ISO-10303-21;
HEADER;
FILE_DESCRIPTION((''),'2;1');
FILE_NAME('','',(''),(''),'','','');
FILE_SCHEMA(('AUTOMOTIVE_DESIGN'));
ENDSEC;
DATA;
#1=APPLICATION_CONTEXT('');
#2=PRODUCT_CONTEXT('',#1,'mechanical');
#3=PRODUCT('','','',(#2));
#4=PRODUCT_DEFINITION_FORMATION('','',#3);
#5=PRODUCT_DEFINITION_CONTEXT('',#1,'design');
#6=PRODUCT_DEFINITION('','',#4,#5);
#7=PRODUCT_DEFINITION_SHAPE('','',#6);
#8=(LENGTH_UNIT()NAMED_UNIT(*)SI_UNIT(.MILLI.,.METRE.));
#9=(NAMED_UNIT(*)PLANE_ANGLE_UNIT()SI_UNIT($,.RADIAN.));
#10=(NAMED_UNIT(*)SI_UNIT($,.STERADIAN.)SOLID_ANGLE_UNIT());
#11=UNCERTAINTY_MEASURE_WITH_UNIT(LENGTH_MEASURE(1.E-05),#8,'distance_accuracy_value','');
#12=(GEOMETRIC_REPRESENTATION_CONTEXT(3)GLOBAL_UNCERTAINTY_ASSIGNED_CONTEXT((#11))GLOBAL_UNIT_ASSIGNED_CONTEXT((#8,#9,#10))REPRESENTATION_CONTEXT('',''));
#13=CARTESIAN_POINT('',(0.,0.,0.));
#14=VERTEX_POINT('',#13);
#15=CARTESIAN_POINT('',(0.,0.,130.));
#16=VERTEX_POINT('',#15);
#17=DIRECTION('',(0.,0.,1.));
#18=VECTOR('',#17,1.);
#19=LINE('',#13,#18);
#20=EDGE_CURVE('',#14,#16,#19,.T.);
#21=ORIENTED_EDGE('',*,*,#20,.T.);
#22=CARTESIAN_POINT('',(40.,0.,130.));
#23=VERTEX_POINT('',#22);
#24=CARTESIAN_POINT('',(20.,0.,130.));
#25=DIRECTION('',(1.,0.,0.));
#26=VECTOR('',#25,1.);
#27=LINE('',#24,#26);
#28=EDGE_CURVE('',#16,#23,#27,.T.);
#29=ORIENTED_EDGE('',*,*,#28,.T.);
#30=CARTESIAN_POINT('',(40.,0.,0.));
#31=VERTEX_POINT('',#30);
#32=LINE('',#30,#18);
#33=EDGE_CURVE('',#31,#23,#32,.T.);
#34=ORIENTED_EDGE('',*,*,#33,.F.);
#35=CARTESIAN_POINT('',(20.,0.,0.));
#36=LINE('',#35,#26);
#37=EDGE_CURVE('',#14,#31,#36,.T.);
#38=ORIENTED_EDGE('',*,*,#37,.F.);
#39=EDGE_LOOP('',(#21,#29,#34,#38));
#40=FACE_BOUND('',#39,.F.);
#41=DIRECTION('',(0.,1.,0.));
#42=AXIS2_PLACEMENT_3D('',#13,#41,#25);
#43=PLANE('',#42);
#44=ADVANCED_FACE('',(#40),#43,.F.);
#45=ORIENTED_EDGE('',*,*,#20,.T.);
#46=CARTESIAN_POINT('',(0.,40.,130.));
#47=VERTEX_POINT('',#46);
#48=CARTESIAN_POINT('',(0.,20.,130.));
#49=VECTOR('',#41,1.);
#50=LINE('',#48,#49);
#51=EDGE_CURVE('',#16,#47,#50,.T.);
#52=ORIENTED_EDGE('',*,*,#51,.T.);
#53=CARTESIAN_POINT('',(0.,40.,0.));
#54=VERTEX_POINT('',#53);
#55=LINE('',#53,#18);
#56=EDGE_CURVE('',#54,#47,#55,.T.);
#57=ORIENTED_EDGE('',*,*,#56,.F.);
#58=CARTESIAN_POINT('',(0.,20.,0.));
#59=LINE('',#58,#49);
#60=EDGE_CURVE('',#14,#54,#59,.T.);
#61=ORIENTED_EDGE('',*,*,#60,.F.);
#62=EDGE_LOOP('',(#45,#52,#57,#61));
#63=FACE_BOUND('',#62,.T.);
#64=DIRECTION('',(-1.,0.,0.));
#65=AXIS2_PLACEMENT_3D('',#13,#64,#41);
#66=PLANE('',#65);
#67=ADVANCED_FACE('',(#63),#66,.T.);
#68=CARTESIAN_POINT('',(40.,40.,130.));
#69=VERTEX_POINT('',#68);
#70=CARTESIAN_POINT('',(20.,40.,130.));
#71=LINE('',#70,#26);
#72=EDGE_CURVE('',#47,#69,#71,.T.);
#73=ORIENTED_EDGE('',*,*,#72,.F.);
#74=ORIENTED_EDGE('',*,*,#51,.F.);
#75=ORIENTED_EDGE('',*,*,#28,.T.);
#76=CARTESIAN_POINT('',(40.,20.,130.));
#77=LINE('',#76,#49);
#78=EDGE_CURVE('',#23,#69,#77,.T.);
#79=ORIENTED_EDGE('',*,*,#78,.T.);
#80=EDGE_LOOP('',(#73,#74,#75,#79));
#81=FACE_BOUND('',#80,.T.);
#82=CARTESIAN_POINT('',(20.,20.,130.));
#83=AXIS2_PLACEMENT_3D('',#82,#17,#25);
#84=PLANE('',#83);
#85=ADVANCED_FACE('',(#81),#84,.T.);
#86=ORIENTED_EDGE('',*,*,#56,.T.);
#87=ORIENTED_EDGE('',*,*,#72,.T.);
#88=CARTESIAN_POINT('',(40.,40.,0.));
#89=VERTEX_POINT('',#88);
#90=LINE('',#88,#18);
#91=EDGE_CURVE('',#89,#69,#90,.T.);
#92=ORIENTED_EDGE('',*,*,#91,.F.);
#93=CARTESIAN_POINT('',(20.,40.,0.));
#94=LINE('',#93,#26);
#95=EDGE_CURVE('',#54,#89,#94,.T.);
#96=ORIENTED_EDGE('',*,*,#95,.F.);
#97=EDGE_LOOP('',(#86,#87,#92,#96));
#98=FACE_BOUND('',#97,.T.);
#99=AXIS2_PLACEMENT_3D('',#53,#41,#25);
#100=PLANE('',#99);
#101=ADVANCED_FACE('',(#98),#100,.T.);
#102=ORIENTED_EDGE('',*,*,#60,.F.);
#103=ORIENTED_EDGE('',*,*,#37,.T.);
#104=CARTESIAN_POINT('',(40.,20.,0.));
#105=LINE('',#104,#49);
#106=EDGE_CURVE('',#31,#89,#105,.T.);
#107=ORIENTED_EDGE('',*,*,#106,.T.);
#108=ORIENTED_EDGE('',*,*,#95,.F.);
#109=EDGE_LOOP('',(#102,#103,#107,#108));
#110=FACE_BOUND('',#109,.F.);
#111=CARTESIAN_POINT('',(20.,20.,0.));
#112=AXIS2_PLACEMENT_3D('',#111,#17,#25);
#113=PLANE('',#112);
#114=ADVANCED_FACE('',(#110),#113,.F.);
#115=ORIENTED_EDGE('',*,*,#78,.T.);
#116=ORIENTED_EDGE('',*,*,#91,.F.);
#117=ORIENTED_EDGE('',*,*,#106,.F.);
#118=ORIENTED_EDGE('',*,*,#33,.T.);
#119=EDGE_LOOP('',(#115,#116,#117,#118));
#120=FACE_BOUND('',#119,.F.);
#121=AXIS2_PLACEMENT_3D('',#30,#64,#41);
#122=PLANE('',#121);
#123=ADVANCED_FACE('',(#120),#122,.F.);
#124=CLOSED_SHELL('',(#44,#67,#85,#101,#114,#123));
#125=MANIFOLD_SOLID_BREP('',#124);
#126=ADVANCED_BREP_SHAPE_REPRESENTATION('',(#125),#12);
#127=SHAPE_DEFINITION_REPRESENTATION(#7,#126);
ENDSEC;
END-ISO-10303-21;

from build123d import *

# Parameters (mm, degrees)
SKETCH_W  = 40
SKETCH_H  = 40
PAD_DEPTH = 130


with BuildPart() as part:
    # Sketch → Pad (new body)
    with BuildSketch(Plane.XY):
        with Locations((20, 20)):
            Rectangle(SKETCH_W, SKETCH_H)
    extrude(amount=PAD_DEPTH)


solid = part.part
